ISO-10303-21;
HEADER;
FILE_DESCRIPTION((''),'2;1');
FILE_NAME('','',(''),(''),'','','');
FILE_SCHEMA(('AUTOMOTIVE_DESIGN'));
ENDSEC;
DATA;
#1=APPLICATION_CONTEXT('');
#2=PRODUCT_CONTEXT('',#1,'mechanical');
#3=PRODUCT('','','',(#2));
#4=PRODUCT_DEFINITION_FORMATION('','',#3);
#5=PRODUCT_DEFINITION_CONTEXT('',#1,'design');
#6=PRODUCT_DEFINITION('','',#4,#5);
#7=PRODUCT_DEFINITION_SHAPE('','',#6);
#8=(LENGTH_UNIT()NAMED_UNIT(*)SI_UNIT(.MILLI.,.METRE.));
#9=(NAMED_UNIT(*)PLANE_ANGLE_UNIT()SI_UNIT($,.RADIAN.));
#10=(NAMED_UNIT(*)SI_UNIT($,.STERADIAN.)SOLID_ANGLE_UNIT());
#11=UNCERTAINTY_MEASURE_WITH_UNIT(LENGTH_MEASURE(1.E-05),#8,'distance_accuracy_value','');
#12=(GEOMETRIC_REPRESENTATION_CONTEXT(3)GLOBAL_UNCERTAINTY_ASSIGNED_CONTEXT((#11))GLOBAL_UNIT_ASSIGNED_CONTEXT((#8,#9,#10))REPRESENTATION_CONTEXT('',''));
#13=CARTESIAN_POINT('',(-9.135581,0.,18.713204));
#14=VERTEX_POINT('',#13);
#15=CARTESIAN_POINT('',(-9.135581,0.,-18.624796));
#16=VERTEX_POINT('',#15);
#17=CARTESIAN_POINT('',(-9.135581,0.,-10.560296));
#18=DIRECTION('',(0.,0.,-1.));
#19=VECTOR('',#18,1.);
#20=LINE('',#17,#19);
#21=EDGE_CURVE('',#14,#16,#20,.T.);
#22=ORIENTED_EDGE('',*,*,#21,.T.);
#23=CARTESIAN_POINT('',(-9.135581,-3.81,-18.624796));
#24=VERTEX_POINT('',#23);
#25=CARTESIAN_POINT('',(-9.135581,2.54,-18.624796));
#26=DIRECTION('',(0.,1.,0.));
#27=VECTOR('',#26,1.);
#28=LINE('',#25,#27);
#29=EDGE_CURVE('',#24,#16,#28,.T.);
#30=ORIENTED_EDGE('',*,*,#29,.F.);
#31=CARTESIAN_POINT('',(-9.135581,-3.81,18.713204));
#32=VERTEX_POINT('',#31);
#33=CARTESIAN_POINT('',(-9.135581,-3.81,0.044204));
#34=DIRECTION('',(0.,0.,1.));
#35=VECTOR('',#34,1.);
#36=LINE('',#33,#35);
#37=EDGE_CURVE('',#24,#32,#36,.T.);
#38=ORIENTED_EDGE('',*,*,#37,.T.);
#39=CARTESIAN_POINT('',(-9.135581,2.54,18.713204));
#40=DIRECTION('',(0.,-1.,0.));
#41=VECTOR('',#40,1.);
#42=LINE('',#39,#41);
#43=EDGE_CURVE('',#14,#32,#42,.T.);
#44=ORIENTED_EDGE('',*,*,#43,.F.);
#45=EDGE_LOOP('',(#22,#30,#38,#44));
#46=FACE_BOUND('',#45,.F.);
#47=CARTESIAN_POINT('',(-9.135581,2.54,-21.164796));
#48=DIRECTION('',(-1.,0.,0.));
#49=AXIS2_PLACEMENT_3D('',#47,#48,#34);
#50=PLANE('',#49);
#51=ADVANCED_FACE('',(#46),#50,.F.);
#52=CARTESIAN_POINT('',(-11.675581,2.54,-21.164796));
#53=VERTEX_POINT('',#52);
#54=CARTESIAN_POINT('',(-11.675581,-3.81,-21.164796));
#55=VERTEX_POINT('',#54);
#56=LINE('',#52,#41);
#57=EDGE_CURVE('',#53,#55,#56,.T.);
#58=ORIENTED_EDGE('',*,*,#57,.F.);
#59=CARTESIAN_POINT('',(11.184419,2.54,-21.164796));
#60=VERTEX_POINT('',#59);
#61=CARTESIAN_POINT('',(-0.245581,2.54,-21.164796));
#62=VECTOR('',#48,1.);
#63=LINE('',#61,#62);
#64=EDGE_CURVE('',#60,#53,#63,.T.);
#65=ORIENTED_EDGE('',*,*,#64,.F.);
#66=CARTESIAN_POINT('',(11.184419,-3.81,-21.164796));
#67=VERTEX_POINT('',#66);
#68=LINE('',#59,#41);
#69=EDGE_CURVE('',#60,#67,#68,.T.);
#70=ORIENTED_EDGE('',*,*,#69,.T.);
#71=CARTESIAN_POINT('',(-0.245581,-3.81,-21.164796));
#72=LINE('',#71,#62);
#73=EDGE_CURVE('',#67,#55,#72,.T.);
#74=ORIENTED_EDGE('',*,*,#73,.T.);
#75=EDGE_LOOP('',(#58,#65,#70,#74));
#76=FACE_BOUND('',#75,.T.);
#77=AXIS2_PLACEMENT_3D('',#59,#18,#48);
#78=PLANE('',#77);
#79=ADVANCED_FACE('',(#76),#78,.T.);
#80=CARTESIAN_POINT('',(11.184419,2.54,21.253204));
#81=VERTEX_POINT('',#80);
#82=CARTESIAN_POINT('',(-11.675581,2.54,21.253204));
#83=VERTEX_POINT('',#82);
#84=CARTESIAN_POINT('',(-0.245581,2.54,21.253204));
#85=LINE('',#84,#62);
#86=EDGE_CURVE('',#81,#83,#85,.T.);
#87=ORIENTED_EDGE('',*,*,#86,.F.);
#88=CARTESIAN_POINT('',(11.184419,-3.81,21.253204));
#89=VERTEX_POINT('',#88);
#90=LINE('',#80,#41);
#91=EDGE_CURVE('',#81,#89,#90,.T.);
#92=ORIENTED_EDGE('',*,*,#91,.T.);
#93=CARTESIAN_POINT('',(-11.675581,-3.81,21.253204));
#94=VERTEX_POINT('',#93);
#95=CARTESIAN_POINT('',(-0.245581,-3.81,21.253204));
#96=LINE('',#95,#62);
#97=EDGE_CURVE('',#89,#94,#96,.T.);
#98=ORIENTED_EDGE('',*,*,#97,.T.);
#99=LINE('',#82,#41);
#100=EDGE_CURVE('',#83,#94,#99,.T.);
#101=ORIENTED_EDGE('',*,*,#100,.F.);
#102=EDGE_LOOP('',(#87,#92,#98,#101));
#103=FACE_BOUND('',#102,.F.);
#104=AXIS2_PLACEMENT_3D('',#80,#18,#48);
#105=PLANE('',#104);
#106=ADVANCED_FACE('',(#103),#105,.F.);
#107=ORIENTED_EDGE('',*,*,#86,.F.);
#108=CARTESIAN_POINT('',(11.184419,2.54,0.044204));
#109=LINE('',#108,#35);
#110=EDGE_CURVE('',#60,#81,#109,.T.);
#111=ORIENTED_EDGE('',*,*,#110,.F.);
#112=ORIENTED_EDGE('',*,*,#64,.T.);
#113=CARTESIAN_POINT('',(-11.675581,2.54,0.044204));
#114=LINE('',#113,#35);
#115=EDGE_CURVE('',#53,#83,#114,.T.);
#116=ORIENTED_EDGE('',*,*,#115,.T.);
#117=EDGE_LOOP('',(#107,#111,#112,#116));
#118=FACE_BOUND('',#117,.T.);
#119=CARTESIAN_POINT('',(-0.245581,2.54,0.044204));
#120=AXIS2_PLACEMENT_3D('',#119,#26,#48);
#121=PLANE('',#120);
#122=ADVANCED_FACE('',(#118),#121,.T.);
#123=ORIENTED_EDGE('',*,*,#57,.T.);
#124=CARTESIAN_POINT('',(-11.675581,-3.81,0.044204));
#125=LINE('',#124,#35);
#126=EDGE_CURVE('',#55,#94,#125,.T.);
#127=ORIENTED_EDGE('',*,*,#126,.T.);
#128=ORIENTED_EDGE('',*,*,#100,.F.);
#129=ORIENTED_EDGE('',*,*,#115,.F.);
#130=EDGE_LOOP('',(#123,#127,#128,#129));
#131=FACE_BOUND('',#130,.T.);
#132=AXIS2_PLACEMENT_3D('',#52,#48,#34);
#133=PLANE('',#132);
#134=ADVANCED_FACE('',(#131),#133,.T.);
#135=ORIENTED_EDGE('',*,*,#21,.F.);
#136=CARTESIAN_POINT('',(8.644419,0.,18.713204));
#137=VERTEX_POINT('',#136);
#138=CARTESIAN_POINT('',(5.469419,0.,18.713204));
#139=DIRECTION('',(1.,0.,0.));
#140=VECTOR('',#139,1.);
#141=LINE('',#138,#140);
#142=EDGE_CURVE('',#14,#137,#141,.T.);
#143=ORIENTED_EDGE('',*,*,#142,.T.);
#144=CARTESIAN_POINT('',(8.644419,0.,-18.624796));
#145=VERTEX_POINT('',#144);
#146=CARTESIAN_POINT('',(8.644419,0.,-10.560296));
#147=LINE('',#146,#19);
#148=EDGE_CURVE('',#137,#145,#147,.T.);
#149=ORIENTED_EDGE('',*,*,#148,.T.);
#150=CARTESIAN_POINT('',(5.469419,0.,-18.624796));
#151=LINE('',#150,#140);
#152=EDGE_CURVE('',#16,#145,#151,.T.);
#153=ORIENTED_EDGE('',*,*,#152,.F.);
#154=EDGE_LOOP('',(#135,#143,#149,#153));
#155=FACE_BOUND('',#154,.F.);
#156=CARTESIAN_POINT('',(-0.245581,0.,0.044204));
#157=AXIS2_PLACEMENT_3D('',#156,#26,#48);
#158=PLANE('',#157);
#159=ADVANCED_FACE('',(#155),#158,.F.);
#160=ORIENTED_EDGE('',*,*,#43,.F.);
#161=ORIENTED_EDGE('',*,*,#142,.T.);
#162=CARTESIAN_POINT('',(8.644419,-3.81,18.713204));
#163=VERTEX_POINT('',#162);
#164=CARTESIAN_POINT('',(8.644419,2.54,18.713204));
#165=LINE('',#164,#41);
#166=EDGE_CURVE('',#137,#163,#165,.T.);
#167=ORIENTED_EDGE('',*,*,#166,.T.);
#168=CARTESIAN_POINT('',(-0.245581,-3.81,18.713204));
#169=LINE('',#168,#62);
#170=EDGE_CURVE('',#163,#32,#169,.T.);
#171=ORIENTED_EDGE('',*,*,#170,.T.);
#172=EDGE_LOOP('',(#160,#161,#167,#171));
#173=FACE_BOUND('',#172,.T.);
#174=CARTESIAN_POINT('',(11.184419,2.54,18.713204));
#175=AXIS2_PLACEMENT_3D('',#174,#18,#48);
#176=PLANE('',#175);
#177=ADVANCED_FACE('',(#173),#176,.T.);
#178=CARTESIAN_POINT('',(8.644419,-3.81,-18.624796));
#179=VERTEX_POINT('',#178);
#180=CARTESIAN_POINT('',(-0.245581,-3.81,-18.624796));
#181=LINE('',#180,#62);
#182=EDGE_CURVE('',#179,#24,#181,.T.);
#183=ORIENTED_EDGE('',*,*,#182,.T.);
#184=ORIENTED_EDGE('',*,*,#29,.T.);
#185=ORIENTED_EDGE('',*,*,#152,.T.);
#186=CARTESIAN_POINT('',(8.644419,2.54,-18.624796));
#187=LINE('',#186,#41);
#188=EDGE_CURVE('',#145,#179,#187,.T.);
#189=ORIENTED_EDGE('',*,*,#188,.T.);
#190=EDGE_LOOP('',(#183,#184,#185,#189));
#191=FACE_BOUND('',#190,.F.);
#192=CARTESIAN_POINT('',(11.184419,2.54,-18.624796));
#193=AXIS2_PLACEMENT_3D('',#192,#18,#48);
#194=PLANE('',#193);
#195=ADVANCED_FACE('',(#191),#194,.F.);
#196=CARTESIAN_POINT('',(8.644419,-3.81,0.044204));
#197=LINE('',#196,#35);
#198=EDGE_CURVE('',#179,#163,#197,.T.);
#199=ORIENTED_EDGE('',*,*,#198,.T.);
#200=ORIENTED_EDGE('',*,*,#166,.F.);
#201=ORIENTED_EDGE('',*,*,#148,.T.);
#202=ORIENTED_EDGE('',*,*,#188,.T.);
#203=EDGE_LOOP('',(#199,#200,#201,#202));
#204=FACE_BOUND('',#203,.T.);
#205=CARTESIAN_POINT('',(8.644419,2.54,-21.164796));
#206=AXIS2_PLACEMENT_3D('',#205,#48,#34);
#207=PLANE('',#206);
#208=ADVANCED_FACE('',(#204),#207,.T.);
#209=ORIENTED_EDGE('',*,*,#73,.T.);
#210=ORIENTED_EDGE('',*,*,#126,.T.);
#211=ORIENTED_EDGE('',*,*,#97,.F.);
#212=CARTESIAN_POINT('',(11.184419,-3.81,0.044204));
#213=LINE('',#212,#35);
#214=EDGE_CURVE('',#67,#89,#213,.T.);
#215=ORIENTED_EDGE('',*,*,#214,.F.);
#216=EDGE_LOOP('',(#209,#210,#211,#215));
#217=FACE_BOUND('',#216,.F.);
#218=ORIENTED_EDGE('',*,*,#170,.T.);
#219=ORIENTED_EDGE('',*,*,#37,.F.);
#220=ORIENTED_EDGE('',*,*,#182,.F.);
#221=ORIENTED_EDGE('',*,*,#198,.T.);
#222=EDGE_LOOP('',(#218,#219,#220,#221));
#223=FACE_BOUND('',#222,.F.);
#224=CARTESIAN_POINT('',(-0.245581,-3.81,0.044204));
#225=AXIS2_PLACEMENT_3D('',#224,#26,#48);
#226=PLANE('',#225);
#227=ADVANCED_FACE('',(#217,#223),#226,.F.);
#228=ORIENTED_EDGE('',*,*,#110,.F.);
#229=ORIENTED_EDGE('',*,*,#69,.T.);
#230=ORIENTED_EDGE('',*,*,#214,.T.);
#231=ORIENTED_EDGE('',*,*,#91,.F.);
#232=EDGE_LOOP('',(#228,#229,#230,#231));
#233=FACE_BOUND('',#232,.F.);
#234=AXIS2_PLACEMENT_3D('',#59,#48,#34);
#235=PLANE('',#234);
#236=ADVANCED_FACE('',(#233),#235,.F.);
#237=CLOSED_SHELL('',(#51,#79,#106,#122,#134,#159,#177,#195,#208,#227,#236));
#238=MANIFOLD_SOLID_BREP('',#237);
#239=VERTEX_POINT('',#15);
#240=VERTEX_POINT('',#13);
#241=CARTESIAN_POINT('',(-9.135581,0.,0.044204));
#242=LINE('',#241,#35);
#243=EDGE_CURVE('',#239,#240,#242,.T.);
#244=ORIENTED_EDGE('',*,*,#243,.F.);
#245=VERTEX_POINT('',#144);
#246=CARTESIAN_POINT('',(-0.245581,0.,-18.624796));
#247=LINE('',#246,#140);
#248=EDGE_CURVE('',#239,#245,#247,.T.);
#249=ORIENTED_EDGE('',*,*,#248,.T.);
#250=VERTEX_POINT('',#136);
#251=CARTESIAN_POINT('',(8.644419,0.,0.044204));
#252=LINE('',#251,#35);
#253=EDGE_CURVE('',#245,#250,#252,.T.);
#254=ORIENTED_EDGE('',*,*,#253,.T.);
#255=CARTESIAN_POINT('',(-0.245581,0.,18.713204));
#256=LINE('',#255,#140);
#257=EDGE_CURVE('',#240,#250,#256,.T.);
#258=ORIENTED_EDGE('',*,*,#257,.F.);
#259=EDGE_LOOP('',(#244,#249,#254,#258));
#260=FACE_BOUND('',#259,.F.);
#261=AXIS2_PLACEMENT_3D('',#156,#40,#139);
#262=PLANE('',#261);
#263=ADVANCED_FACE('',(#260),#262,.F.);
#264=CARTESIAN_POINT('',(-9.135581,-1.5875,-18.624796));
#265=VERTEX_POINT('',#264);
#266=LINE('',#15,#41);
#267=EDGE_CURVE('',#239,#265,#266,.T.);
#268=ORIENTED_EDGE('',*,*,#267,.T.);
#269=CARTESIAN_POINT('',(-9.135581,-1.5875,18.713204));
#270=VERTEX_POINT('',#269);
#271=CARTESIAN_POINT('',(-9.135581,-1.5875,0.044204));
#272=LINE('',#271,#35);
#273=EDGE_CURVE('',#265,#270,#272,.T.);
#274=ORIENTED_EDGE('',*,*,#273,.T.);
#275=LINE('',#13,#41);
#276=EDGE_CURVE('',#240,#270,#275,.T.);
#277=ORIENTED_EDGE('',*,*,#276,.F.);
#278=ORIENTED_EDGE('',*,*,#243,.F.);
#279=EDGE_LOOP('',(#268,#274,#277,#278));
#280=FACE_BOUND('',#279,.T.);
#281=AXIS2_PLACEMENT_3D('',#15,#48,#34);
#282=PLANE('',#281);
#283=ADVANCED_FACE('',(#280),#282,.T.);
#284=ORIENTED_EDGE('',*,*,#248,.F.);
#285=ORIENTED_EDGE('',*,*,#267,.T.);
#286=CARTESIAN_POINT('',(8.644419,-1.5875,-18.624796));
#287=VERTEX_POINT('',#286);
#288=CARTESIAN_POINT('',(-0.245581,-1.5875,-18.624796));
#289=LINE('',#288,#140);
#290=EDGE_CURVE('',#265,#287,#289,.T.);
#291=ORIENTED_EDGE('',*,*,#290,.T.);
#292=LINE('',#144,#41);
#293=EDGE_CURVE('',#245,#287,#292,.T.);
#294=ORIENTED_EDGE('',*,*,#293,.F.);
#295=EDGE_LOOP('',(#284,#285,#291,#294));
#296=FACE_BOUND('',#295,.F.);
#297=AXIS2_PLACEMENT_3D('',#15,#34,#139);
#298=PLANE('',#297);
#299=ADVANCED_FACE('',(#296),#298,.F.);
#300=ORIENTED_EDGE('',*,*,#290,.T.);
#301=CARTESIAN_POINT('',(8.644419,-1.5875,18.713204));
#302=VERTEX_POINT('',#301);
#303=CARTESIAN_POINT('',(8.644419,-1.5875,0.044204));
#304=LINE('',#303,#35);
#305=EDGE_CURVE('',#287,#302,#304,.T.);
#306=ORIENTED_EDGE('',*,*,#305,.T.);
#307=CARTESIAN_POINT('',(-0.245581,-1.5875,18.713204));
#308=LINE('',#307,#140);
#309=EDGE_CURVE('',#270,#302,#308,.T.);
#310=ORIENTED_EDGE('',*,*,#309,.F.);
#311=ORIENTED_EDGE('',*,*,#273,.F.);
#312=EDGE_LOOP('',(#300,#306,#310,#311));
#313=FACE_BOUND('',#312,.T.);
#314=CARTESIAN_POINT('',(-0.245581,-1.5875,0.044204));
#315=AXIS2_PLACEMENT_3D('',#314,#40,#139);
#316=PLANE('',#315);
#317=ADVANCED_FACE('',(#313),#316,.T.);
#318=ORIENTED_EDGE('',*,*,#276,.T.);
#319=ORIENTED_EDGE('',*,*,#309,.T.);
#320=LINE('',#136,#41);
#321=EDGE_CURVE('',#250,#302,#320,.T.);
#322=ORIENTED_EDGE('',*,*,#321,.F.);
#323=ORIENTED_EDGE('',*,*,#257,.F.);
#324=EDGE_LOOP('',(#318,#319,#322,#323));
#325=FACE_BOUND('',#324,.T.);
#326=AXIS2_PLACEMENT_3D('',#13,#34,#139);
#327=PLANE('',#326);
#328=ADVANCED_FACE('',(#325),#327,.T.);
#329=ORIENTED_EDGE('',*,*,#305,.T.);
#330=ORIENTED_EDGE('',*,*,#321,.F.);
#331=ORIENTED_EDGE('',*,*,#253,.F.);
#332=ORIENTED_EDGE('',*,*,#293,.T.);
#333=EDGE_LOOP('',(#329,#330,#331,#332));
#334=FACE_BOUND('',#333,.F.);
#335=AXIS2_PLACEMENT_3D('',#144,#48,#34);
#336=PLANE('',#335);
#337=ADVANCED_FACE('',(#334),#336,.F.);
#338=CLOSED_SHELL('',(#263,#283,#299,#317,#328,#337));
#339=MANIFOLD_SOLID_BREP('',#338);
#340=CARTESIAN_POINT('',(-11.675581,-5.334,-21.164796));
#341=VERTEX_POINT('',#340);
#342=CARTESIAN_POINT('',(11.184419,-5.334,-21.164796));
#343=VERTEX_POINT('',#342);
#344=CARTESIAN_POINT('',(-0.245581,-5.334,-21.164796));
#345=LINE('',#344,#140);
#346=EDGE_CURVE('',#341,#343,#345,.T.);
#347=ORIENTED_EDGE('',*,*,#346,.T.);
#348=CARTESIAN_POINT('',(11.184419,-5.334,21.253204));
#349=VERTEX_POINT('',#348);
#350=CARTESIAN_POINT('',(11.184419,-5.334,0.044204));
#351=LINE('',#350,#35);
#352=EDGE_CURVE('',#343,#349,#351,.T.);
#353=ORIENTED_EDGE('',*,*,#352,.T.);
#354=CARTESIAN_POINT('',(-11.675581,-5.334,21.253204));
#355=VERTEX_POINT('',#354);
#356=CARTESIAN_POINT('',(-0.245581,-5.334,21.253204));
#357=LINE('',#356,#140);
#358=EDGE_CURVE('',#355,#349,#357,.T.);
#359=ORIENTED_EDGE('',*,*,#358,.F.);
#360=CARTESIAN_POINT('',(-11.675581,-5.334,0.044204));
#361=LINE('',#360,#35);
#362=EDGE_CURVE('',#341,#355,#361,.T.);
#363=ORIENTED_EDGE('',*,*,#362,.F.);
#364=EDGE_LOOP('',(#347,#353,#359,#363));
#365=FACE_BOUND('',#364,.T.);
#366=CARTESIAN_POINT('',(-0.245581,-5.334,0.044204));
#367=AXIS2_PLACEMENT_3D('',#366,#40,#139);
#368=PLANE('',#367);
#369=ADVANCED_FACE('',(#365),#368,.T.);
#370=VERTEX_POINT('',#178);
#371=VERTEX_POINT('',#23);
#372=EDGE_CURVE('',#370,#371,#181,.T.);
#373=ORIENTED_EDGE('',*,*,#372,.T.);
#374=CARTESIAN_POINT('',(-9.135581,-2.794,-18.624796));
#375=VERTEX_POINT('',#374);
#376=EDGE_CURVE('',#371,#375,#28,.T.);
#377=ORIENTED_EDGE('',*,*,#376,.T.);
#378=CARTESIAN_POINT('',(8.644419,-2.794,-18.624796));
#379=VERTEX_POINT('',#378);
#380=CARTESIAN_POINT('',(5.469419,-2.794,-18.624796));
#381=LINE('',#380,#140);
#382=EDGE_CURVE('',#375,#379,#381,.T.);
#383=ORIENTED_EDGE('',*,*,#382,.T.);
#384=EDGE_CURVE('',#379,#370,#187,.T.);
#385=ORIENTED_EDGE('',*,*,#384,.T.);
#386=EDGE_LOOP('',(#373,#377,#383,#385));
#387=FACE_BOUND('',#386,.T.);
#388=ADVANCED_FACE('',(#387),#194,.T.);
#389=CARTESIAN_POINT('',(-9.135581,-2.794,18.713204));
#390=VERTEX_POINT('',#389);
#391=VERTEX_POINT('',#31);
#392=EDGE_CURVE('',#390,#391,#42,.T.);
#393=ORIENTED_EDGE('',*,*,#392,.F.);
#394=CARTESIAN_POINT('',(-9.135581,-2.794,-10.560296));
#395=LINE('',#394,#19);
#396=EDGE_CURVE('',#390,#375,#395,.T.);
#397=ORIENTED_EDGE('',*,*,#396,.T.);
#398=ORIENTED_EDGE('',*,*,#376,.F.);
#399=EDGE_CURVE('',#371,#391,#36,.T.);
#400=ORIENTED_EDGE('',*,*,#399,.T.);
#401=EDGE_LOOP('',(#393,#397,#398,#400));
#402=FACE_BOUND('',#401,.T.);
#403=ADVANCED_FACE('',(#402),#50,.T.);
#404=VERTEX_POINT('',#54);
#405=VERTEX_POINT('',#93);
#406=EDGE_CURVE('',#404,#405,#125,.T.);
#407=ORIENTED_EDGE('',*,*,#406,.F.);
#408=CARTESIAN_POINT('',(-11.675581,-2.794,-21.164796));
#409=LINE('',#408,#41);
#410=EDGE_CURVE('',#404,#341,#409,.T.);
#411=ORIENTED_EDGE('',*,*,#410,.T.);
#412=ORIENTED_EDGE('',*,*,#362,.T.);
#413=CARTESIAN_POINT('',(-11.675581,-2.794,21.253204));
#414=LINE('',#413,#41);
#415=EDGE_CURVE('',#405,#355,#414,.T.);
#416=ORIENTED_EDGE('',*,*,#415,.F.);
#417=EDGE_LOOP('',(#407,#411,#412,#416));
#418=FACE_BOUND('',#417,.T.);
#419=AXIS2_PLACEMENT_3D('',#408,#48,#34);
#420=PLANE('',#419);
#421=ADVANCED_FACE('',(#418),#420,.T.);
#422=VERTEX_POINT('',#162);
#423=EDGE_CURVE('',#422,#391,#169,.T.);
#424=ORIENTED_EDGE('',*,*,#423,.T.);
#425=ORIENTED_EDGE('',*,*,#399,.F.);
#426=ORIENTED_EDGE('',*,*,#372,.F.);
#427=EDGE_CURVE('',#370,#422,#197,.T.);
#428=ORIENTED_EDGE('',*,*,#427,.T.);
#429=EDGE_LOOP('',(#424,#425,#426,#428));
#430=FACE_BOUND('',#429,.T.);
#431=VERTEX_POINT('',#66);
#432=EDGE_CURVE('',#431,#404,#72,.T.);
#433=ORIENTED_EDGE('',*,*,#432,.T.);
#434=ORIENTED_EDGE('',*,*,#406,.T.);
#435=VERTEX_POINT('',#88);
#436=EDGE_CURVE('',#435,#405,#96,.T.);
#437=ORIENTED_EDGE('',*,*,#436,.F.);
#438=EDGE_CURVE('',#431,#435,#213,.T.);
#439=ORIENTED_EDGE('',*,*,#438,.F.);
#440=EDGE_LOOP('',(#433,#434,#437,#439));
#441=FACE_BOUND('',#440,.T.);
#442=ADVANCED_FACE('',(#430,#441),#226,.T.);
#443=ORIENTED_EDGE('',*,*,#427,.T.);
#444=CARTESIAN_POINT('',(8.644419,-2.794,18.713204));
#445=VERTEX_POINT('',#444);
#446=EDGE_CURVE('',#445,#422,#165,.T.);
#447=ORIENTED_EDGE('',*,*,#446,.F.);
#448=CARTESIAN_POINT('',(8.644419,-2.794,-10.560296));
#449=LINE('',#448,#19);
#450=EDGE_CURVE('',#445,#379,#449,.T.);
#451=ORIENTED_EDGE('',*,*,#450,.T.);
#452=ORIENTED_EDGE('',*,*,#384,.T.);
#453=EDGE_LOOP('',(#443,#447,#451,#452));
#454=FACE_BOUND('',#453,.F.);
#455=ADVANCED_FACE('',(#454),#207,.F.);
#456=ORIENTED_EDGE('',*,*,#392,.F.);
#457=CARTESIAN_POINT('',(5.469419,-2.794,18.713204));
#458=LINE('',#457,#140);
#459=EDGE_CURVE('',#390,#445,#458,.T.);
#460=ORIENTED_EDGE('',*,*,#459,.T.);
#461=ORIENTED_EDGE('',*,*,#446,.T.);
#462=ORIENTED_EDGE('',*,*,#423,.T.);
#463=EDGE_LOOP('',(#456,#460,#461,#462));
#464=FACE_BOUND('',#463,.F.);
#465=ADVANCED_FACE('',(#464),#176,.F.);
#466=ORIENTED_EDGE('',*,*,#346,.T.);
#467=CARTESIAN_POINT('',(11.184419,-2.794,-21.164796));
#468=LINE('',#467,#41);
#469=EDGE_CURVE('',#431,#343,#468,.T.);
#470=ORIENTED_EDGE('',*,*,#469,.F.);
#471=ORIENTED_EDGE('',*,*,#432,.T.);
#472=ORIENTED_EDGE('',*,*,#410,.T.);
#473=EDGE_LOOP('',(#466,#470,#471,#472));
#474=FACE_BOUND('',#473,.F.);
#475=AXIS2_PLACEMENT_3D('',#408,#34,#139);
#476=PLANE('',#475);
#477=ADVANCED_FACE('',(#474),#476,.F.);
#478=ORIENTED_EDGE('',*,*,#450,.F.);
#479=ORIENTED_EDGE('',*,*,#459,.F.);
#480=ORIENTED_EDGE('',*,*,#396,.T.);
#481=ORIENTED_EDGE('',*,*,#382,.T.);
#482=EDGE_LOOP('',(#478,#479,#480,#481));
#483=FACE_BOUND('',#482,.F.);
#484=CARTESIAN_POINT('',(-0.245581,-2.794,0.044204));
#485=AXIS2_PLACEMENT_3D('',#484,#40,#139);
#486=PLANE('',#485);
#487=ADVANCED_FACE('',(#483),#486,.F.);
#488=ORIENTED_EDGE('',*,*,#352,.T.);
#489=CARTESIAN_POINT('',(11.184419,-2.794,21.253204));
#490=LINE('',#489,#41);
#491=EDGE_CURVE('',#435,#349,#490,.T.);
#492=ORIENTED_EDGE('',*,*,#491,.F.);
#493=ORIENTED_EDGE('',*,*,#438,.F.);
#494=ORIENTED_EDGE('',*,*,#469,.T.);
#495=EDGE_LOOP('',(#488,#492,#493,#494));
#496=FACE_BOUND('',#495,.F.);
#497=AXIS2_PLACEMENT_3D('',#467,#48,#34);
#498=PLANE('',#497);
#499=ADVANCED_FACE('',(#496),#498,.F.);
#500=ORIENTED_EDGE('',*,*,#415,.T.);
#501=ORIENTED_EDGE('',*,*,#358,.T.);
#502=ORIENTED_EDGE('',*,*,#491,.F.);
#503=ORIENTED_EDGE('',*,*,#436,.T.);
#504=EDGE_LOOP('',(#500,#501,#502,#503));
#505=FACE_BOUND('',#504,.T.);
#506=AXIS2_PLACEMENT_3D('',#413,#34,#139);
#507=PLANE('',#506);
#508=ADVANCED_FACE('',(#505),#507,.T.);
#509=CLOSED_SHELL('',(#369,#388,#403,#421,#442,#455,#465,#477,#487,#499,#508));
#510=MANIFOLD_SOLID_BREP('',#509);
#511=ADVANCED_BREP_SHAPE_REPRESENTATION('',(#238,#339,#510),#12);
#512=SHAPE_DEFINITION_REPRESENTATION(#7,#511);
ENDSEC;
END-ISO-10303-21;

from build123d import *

# Parameters (mm, degrees)
F0_W     = 17.78
F0_H     = 37.338
F1_DEPTH = 1.5875
F3_W     = 22.86
F3_H     = 42.418
F4_DEPTH = 6.35
F5_T     = -2.54
F7_W     = 22.86
F7_H     = 42.418
F8_DEPTH = 2.54


with BuildPart() as f1:
    # F0 (on Front) → F1 (new body)
    with BuildSketch(Plane.XZ):
        with Locations((-0.2455806217, 0.0442041901)):
            Rectangle(F0_W, F0_H)
    extrude(amount=F1_DEPTH)


with BuildPart() as f4:
    # F3 (on offset) → F4 (new body)
    with BuildSketch(Plane(origin=(0, 2.54, 0), x_dir=(-1, 0, 0), z_dir=(0, 1, 0))):
        with Locations((0.2455806217, 0.0442041901)):
            Rectangle(F3_W, F3_H)
    extrude(amount=-F4_DEPTH)

    # F5
    f5_openings = [f4.faces().sort_by_distance(p)[0] for p in [
        (-0.245581, -3.81, 0.044204),
    ]]
    offset(amount=F5_T, openings=f5_openings)


with BuildPart() as f8:
    # F7 (on offset) → F8 (new body)
    with BuildSketch(Plane.XZ.offset(2.794)):
        with Locations((-0.2455806217, 0.0442041901)):
            Rectangle(F7_W, F7_H)
    extrude(amount=F8_DEPTH)

    # F9: cut F4
    add(f4.part, mode=Mode.SUBTRACT)


solid = Compound([f1.part, f4.part, f8.part])
